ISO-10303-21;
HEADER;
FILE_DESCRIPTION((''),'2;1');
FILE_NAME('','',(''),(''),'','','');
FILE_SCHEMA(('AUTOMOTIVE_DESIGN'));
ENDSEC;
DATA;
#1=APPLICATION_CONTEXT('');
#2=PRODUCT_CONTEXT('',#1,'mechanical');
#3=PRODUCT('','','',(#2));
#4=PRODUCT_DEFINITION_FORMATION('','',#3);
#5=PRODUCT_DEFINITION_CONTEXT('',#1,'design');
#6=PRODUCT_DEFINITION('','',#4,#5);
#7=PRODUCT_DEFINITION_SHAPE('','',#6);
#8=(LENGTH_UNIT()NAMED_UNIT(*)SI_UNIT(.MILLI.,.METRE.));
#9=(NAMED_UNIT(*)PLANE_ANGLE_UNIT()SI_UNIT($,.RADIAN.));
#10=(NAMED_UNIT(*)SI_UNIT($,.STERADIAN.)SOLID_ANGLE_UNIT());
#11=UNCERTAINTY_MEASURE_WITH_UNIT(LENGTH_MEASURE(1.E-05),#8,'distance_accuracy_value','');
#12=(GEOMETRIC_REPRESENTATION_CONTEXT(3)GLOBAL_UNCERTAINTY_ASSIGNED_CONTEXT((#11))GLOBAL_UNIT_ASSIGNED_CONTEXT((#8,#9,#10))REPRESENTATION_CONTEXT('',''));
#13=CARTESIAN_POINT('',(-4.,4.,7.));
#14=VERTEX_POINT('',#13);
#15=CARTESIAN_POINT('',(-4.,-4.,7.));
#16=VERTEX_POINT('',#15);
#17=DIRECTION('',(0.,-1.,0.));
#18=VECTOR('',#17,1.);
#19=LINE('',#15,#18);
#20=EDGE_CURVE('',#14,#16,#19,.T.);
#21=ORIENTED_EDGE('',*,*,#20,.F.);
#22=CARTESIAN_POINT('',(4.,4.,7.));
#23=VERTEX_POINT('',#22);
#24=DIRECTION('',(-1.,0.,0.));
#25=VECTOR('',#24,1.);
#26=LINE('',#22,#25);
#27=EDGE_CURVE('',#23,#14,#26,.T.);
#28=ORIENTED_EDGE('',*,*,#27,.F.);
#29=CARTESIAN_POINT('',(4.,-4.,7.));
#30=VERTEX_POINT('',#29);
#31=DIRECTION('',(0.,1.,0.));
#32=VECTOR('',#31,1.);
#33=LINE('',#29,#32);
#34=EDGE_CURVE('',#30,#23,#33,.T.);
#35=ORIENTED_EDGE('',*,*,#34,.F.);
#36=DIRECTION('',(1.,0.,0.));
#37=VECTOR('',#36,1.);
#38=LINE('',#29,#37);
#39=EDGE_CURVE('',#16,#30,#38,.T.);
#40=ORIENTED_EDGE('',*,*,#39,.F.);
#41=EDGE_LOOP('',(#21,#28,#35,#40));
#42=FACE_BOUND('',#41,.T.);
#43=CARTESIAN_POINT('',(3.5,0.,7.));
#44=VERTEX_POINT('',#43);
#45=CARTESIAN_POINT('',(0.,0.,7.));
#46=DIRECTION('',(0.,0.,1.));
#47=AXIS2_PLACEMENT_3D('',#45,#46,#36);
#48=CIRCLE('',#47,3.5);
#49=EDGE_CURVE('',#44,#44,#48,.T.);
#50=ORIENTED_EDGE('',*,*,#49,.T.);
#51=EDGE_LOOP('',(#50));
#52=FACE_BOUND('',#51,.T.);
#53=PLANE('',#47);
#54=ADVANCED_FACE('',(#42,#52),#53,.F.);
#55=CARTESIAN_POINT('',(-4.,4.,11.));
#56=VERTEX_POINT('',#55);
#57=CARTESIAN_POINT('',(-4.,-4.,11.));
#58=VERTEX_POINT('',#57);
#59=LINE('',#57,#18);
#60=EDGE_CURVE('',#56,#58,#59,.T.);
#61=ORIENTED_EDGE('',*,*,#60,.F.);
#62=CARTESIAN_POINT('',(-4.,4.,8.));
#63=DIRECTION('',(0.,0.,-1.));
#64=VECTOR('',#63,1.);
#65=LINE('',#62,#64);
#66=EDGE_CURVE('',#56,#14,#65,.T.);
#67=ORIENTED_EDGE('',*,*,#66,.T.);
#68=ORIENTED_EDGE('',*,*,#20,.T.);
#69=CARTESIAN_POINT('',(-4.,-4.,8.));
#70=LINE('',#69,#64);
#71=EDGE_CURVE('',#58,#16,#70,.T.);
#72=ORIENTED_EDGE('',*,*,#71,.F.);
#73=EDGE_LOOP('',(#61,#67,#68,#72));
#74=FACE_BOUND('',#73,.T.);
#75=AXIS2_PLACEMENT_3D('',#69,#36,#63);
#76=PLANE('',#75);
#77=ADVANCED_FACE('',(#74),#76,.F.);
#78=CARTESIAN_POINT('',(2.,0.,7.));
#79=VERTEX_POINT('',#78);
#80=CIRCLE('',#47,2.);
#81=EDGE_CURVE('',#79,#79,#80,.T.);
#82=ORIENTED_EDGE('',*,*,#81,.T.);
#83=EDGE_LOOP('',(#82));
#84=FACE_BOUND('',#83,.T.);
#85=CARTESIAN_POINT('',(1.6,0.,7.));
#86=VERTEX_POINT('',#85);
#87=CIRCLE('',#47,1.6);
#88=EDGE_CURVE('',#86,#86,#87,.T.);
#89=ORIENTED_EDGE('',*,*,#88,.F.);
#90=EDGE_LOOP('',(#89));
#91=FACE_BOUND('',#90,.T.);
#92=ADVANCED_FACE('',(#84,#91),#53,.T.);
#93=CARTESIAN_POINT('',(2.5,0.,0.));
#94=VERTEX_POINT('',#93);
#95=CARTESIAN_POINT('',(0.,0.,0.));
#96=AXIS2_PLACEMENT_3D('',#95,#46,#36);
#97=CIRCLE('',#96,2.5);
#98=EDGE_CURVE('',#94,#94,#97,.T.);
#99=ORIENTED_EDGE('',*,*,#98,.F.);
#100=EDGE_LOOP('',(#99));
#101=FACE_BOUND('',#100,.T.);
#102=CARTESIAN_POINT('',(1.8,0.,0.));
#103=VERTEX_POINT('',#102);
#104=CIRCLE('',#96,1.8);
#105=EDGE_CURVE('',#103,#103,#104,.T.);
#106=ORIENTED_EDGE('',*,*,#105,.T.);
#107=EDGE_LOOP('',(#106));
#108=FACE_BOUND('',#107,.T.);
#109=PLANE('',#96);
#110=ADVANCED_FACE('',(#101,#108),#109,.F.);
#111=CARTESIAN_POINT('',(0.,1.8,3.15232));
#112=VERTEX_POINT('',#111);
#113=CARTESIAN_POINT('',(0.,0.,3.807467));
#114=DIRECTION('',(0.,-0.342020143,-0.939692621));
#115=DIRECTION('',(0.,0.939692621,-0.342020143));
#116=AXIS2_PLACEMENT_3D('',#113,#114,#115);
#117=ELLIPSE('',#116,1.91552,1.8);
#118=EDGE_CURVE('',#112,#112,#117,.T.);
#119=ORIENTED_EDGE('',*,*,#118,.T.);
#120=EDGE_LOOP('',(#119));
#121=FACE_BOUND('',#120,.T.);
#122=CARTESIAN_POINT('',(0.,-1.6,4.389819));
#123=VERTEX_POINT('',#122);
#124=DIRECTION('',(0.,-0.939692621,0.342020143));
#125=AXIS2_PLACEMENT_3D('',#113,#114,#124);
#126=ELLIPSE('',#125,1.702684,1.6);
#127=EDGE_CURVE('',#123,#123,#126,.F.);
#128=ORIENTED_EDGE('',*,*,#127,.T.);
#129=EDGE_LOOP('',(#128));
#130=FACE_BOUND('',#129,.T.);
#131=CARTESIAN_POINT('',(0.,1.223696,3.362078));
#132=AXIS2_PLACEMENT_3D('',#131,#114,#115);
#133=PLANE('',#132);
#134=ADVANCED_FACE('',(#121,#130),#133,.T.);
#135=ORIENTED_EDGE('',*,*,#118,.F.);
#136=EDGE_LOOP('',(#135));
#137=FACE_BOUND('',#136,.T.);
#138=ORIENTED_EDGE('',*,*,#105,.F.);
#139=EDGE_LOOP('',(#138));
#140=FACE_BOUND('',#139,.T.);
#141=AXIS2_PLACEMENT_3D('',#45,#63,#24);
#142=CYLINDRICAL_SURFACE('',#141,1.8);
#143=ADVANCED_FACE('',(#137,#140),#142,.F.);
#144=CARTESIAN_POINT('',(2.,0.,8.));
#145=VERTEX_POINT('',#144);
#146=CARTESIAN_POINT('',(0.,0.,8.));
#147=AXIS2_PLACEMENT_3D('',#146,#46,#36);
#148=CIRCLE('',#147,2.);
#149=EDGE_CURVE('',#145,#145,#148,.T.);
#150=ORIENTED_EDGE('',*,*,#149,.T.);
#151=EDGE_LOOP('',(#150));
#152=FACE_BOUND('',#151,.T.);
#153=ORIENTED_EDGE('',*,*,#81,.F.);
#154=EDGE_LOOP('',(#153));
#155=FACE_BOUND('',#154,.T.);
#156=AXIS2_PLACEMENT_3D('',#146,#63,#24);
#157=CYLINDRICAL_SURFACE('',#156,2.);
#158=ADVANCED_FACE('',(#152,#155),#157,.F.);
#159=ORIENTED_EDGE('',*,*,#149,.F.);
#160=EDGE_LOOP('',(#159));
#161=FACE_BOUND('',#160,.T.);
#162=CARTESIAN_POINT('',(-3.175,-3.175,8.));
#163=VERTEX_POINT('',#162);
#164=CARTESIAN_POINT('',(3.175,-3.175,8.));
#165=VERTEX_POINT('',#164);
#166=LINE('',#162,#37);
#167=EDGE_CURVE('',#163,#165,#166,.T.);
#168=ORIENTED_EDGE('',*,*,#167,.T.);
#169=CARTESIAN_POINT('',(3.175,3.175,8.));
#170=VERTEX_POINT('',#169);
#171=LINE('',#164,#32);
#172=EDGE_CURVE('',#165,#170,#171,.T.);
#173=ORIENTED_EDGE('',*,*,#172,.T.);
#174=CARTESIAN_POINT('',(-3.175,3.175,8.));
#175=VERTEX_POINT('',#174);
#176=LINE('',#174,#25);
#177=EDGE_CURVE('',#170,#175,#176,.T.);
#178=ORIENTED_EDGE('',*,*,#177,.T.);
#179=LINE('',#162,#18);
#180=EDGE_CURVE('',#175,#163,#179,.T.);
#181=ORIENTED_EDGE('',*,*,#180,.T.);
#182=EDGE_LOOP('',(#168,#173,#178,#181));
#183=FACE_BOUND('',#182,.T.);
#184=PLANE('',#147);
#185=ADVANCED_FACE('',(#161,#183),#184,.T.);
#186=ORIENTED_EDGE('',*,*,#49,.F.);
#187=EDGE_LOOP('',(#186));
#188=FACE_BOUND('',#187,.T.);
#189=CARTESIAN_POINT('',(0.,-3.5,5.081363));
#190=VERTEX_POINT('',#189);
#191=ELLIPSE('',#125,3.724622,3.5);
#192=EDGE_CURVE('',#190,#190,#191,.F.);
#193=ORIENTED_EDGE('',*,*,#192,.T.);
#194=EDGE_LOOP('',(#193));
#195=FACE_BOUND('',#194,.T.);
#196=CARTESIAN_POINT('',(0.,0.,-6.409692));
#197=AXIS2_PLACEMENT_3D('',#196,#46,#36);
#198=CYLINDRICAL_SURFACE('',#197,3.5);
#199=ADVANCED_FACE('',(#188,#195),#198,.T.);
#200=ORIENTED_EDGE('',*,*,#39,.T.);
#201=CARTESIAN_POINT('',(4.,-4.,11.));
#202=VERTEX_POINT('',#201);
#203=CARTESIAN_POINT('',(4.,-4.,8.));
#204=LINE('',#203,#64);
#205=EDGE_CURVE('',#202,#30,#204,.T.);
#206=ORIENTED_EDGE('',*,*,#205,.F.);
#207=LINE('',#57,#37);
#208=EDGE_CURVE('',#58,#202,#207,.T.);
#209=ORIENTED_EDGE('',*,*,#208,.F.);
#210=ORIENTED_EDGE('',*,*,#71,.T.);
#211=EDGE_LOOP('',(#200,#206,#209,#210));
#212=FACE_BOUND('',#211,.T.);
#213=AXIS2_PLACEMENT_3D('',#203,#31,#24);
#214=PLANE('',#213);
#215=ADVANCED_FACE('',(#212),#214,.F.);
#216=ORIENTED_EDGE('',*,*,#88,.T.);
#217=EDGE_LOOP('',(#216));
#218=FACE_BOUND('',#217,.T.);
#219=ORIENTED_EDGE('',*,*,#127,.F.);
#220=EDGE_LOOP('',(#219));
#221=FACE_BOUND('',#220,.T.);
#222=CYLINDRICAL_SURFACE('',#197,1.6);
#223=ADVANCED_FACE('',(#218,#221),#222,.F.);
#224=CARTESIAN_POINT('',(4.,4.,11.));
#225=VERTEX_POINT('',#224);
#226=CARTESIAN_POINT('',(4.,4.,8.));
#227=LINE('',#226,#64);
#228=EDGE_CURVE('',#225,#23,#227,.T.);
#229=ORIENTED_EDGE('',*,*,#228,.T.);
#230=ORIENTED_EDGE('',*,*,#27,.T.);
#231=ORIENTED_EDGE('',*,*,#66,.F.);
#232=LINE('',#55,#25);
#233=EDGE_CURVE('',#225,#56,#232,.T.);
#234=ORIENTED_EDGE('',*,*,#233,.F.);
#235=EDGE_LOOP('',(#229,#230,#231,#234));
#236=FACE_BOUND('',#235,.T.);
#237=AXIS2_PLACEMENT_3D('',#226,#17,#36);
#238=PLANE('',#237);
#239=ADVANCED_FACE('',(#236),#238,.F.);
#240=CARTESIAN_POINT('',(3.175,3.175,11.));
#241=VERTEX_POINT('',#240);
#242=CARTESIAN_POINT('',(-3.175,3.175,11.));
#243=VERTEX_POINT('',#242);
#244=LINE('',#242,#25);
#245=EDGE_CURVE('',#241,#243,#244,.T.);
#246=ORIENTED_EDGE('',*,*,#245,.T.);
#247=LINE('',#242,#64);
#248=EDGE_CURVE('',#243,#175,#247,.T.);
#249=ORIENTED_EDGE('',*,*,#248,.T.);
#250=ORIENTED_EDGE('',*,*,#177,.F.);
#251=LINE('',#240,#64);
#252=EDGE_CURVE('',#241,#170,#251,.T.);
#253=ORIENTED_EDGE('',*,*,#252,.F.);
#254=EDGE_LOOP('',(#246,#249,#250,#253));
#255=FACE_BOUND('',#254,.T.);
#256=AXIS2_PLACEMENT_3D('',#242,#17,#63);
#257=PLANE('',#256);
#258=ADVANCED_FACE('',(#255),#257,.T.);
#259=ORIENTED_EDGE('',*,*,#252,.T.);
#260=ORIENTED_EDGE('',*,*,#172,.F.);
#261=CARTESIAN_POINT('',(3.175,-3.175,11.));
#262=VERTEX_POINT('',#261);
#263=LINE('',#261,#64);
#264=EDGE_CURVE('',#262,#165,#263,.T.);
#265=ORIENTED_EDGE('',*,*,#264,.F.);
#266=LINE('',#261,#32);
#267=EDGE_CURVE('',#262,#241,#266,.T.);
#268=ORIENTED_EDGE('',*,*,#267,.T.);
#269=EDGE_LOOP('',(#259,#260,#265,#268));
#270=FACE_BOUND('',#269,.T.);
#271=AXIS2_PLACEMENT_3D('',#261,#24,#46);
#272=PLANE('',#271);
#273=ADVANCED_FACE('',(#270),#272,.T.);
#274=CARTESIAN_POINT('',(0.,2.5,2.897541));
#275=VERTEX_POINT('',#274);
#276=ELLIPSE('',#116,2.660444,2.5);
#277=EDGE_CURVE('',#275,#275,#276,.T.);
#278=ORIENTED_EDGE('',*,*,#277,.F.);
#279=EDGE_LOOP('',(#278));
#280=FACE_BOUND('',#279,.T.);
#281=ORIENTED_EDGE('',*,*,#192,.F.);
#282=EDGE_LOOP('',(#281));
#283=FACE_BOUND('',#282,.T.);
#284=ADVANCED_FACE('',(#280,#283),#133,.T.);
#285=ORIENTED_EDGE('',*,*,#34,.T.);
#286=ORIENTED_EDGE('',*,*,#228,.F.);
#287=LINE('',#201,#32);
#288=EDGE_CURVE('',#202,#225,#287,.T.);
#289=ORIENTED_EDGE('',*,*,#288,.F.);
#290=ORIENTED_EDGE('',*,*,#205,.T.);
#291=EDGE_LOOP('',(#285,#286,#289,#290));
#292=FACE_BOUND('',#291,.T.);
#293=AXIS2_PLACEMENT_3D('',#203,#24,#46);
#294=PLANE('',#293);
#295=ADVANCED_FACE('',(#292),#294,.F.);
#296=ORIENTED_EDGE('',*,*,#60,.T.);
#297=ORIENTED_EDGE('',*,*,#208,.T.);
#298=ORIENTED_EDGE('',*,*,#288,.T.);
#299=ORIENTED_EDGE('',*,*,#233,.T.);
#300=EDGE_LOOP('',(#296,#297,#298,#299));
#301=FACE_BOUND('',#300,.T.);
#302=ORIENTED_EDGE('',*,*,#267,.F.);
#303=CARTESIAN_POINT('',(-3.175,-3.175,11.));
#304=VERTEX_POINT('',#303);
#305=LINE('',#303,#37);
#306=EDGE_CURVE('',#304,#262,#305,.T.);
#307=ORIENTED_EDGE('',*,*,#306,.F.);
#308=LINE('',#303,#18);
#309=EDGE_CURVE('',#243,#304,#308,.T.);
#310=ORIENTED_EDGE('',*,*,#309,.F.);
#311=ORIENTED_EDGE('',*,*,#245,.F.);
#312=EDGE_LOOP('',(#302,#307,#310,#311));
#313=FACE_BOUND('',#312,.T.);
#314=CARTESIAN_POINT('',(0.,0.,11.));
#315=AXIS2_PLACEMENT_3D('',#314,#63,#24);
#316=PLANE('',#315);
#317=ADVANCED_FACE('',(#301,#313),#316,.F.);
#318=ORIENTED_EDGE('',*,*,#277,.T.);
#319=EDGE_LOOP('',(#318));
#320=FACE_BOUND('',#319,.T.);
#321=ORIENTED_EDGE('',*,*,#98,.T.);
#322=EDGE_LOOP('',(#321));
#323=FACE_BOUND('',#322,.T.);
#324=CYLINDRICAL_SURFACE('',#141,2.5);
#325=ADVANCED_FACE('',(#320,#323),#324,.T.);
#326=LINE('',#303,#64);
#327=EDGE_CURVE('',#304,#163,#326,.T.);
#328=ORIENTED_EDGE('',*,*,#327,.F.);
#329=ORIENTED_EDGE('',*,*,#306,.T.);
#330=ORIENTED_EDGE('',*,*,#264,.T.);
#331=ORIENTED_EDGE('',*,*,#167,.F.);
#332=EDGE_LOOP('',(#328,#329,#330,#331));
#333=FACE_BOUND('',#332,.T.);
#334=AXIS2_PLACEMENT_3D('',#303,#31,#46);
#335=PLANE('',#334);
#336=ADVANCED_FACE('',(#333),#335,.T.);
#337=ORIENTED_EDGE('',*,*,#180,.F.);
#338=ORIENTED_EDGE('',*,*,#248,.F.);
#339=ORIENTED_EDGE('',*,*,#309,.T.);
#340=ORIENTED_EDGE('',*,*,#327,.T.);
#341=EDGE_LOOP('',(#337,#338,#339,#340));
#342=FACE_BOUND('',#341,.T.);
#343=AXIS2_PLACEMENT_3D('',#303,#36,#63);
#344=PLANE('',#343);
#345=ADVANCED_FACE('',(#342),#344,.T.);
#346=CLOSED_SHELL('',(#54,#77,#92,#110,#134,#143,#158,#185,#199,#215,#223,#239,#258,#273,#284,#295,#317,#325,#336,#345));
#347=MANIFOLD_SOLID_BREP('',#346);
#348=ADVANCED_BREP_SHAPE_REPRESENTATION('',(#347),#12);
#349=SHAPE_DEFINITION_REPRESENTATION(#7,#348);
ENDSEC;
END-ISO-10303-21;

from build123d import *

# Parameters (mm, degrees)
CROQUIS1_R              = 2.5
CROQUIS1_R_2            = 1.8
SALIENTE_EXTRUIR1_DEPTH = 7
SALIENTE_EXTRUIR2_REACH = 14.727
CROQUIS3_R              = 3.5
CROQUIS3_R_2            = 1.6
CROQUIS4_W              = 8
CROQUIS4_H              = 8
CROQUIS4_R              = 2
SALIENTE_EXTRUIR3_DEPTH = 1
CROQUIS6_W              = 8
CROQUIS6_H              = 8
CROQUIS6_W_2            = 6.35
CROQUIS6_H_2            = 6.35
SALIENTE_EXTRUIR5_DEPTH = 3


with BuildPart() as part:
    # Croquis1 → Saliente-Extruir1 (new body)
    with BuildSketch(Plane.XY):
        Circle(CROQUIS1_R)
        Circle(CROQUIS1_R_2, mode=Mode.SUBTRACT)
    extrude(amount=SALIENTE_EXTRUIR1_DEPTH)

    # Saliente-Extruir2: up to this plane
    saliente_extruir2_end = Plane(origin=(0, 1.223696204, 3.362077689), z_dir=(0, -0.34202014332567576, -0.9396926207859059))
    # Croquis3 → Saliente-Extruir2 (add, up to the surface)
    with BuildSketch(Plane.XY.offset(7), mode=Mode.PRIVATE) as saliente_extruir2_sk1:
        Circle(CROQUIS3_R)
        Circle(CROQUIS3_R_2, mode=Mode.SUBTRACT)
    saliente_extruir2_tool1 = split(extrude(saliente_extruir2_sk1.sketch, amount=-SALIENTE_EXTRUIR2_REACH, mode=Mode.PRIVATE), bisect_by=saliente_extruir2_end, keep=Keep.BOTH, mode=Mode.PRIVATE)
    add(saliente_extruir2_tool1.solids().sort_by_distance((-3.401005, 0, 7))[0])

    # Croquis4 → Saliente-Extruir3 (add)
    with BuildSketch(Plane.XY.offset(7)):
        Rectangle(CROQUIS4_W, CROQUIS4_H)
        Circle(CROQUIS4_R, mode=Mode.SUBTRACT)
    extrude(amount=SALIENTE_EXTRUIR3_DEPTH)

    # Croquis6 → Saliente-Extruir5 (add)
    with BuildSketch(Plane.XY.offset(8)):
        Rectangle(CROQUIS6_W, CROQUIS6_H)
        Rectangle(CROQUIS6_W_2, CROQUIS6_H_2, mode=Mode.SUBTRACT)
    extrude(amount=SALIENTE_EXTRUIR5_DEPTH)


solid = part.part
